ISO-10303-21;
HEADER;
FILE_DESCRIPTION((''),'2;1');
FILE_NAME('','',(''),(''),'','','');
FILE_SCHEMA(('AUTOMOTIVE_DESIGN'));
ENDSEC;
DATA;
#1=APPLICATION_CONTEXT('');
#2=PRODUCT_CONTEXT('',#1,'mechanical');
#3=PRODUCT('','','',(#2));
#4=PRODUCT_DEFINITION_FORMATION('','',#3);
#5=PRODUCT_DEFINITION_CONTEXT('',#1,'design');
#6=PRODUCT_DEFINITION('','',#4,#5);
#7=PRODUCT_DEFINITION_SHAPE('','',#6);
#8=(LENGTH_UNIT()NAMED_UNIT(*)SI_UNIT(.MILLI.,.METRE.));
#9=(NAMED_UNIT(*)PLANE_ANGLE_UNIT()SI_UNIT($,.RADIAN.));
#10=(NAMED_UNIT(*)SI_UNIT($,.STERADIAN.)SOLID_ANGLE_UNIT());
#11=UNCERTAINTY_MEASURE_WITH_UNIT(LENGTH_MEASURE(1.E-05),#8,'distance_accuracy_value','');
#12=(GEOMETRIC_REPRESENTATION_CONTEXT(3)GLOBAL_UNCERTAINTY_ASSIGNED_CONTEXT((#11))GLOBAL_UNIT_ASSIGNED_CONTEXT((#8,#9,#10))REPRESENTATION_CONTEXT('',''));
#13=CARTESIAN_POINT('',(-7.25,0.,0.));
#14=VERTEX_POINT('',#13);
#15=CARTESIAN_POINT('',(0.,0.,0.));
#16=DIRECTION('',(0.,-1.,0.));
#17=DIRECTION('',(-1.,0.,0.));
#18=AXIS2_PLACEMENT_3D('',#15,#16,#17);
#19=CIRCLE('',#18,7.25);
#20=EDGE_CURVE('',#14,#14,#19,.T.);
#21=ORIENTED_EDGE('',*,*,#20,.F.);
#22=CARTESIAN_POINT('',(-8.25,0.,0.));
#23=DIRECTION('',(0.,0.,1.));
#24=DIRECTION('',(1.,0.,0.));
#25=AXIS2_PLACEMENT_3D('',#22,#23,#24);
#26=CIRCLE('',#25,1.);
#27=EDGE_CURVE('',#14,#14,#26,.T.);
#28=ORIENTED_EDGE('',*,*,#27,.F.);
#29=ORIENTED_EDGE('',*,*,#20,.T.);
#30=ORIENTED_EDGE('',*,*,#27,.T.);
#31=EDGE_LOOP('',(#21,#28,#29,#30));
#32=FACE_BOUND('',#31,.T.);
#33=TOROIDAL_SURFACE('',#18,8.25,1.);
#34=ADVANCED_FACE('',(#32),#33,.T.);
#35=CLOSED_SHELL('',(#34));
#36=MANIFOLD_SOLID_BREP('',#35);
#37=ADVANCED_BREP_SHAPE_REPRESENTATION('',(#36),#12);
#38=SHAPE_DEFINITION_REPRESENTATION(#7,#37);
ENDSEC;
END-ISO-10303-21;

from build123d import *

# Parameters (mm, degrees)
SKETCH1_R = 1


with BuildPart() as part:
    # Sketch1 → Revolve1 (revolve)
    with BuildSketch(Plane.XY):
        with Locations((-8.25, 0)):
            Circle(SKETCH1_R)
    revolve(axis=Axis((0, 3.433256329, 0), (0, -1, 0)))


solid = part.part
